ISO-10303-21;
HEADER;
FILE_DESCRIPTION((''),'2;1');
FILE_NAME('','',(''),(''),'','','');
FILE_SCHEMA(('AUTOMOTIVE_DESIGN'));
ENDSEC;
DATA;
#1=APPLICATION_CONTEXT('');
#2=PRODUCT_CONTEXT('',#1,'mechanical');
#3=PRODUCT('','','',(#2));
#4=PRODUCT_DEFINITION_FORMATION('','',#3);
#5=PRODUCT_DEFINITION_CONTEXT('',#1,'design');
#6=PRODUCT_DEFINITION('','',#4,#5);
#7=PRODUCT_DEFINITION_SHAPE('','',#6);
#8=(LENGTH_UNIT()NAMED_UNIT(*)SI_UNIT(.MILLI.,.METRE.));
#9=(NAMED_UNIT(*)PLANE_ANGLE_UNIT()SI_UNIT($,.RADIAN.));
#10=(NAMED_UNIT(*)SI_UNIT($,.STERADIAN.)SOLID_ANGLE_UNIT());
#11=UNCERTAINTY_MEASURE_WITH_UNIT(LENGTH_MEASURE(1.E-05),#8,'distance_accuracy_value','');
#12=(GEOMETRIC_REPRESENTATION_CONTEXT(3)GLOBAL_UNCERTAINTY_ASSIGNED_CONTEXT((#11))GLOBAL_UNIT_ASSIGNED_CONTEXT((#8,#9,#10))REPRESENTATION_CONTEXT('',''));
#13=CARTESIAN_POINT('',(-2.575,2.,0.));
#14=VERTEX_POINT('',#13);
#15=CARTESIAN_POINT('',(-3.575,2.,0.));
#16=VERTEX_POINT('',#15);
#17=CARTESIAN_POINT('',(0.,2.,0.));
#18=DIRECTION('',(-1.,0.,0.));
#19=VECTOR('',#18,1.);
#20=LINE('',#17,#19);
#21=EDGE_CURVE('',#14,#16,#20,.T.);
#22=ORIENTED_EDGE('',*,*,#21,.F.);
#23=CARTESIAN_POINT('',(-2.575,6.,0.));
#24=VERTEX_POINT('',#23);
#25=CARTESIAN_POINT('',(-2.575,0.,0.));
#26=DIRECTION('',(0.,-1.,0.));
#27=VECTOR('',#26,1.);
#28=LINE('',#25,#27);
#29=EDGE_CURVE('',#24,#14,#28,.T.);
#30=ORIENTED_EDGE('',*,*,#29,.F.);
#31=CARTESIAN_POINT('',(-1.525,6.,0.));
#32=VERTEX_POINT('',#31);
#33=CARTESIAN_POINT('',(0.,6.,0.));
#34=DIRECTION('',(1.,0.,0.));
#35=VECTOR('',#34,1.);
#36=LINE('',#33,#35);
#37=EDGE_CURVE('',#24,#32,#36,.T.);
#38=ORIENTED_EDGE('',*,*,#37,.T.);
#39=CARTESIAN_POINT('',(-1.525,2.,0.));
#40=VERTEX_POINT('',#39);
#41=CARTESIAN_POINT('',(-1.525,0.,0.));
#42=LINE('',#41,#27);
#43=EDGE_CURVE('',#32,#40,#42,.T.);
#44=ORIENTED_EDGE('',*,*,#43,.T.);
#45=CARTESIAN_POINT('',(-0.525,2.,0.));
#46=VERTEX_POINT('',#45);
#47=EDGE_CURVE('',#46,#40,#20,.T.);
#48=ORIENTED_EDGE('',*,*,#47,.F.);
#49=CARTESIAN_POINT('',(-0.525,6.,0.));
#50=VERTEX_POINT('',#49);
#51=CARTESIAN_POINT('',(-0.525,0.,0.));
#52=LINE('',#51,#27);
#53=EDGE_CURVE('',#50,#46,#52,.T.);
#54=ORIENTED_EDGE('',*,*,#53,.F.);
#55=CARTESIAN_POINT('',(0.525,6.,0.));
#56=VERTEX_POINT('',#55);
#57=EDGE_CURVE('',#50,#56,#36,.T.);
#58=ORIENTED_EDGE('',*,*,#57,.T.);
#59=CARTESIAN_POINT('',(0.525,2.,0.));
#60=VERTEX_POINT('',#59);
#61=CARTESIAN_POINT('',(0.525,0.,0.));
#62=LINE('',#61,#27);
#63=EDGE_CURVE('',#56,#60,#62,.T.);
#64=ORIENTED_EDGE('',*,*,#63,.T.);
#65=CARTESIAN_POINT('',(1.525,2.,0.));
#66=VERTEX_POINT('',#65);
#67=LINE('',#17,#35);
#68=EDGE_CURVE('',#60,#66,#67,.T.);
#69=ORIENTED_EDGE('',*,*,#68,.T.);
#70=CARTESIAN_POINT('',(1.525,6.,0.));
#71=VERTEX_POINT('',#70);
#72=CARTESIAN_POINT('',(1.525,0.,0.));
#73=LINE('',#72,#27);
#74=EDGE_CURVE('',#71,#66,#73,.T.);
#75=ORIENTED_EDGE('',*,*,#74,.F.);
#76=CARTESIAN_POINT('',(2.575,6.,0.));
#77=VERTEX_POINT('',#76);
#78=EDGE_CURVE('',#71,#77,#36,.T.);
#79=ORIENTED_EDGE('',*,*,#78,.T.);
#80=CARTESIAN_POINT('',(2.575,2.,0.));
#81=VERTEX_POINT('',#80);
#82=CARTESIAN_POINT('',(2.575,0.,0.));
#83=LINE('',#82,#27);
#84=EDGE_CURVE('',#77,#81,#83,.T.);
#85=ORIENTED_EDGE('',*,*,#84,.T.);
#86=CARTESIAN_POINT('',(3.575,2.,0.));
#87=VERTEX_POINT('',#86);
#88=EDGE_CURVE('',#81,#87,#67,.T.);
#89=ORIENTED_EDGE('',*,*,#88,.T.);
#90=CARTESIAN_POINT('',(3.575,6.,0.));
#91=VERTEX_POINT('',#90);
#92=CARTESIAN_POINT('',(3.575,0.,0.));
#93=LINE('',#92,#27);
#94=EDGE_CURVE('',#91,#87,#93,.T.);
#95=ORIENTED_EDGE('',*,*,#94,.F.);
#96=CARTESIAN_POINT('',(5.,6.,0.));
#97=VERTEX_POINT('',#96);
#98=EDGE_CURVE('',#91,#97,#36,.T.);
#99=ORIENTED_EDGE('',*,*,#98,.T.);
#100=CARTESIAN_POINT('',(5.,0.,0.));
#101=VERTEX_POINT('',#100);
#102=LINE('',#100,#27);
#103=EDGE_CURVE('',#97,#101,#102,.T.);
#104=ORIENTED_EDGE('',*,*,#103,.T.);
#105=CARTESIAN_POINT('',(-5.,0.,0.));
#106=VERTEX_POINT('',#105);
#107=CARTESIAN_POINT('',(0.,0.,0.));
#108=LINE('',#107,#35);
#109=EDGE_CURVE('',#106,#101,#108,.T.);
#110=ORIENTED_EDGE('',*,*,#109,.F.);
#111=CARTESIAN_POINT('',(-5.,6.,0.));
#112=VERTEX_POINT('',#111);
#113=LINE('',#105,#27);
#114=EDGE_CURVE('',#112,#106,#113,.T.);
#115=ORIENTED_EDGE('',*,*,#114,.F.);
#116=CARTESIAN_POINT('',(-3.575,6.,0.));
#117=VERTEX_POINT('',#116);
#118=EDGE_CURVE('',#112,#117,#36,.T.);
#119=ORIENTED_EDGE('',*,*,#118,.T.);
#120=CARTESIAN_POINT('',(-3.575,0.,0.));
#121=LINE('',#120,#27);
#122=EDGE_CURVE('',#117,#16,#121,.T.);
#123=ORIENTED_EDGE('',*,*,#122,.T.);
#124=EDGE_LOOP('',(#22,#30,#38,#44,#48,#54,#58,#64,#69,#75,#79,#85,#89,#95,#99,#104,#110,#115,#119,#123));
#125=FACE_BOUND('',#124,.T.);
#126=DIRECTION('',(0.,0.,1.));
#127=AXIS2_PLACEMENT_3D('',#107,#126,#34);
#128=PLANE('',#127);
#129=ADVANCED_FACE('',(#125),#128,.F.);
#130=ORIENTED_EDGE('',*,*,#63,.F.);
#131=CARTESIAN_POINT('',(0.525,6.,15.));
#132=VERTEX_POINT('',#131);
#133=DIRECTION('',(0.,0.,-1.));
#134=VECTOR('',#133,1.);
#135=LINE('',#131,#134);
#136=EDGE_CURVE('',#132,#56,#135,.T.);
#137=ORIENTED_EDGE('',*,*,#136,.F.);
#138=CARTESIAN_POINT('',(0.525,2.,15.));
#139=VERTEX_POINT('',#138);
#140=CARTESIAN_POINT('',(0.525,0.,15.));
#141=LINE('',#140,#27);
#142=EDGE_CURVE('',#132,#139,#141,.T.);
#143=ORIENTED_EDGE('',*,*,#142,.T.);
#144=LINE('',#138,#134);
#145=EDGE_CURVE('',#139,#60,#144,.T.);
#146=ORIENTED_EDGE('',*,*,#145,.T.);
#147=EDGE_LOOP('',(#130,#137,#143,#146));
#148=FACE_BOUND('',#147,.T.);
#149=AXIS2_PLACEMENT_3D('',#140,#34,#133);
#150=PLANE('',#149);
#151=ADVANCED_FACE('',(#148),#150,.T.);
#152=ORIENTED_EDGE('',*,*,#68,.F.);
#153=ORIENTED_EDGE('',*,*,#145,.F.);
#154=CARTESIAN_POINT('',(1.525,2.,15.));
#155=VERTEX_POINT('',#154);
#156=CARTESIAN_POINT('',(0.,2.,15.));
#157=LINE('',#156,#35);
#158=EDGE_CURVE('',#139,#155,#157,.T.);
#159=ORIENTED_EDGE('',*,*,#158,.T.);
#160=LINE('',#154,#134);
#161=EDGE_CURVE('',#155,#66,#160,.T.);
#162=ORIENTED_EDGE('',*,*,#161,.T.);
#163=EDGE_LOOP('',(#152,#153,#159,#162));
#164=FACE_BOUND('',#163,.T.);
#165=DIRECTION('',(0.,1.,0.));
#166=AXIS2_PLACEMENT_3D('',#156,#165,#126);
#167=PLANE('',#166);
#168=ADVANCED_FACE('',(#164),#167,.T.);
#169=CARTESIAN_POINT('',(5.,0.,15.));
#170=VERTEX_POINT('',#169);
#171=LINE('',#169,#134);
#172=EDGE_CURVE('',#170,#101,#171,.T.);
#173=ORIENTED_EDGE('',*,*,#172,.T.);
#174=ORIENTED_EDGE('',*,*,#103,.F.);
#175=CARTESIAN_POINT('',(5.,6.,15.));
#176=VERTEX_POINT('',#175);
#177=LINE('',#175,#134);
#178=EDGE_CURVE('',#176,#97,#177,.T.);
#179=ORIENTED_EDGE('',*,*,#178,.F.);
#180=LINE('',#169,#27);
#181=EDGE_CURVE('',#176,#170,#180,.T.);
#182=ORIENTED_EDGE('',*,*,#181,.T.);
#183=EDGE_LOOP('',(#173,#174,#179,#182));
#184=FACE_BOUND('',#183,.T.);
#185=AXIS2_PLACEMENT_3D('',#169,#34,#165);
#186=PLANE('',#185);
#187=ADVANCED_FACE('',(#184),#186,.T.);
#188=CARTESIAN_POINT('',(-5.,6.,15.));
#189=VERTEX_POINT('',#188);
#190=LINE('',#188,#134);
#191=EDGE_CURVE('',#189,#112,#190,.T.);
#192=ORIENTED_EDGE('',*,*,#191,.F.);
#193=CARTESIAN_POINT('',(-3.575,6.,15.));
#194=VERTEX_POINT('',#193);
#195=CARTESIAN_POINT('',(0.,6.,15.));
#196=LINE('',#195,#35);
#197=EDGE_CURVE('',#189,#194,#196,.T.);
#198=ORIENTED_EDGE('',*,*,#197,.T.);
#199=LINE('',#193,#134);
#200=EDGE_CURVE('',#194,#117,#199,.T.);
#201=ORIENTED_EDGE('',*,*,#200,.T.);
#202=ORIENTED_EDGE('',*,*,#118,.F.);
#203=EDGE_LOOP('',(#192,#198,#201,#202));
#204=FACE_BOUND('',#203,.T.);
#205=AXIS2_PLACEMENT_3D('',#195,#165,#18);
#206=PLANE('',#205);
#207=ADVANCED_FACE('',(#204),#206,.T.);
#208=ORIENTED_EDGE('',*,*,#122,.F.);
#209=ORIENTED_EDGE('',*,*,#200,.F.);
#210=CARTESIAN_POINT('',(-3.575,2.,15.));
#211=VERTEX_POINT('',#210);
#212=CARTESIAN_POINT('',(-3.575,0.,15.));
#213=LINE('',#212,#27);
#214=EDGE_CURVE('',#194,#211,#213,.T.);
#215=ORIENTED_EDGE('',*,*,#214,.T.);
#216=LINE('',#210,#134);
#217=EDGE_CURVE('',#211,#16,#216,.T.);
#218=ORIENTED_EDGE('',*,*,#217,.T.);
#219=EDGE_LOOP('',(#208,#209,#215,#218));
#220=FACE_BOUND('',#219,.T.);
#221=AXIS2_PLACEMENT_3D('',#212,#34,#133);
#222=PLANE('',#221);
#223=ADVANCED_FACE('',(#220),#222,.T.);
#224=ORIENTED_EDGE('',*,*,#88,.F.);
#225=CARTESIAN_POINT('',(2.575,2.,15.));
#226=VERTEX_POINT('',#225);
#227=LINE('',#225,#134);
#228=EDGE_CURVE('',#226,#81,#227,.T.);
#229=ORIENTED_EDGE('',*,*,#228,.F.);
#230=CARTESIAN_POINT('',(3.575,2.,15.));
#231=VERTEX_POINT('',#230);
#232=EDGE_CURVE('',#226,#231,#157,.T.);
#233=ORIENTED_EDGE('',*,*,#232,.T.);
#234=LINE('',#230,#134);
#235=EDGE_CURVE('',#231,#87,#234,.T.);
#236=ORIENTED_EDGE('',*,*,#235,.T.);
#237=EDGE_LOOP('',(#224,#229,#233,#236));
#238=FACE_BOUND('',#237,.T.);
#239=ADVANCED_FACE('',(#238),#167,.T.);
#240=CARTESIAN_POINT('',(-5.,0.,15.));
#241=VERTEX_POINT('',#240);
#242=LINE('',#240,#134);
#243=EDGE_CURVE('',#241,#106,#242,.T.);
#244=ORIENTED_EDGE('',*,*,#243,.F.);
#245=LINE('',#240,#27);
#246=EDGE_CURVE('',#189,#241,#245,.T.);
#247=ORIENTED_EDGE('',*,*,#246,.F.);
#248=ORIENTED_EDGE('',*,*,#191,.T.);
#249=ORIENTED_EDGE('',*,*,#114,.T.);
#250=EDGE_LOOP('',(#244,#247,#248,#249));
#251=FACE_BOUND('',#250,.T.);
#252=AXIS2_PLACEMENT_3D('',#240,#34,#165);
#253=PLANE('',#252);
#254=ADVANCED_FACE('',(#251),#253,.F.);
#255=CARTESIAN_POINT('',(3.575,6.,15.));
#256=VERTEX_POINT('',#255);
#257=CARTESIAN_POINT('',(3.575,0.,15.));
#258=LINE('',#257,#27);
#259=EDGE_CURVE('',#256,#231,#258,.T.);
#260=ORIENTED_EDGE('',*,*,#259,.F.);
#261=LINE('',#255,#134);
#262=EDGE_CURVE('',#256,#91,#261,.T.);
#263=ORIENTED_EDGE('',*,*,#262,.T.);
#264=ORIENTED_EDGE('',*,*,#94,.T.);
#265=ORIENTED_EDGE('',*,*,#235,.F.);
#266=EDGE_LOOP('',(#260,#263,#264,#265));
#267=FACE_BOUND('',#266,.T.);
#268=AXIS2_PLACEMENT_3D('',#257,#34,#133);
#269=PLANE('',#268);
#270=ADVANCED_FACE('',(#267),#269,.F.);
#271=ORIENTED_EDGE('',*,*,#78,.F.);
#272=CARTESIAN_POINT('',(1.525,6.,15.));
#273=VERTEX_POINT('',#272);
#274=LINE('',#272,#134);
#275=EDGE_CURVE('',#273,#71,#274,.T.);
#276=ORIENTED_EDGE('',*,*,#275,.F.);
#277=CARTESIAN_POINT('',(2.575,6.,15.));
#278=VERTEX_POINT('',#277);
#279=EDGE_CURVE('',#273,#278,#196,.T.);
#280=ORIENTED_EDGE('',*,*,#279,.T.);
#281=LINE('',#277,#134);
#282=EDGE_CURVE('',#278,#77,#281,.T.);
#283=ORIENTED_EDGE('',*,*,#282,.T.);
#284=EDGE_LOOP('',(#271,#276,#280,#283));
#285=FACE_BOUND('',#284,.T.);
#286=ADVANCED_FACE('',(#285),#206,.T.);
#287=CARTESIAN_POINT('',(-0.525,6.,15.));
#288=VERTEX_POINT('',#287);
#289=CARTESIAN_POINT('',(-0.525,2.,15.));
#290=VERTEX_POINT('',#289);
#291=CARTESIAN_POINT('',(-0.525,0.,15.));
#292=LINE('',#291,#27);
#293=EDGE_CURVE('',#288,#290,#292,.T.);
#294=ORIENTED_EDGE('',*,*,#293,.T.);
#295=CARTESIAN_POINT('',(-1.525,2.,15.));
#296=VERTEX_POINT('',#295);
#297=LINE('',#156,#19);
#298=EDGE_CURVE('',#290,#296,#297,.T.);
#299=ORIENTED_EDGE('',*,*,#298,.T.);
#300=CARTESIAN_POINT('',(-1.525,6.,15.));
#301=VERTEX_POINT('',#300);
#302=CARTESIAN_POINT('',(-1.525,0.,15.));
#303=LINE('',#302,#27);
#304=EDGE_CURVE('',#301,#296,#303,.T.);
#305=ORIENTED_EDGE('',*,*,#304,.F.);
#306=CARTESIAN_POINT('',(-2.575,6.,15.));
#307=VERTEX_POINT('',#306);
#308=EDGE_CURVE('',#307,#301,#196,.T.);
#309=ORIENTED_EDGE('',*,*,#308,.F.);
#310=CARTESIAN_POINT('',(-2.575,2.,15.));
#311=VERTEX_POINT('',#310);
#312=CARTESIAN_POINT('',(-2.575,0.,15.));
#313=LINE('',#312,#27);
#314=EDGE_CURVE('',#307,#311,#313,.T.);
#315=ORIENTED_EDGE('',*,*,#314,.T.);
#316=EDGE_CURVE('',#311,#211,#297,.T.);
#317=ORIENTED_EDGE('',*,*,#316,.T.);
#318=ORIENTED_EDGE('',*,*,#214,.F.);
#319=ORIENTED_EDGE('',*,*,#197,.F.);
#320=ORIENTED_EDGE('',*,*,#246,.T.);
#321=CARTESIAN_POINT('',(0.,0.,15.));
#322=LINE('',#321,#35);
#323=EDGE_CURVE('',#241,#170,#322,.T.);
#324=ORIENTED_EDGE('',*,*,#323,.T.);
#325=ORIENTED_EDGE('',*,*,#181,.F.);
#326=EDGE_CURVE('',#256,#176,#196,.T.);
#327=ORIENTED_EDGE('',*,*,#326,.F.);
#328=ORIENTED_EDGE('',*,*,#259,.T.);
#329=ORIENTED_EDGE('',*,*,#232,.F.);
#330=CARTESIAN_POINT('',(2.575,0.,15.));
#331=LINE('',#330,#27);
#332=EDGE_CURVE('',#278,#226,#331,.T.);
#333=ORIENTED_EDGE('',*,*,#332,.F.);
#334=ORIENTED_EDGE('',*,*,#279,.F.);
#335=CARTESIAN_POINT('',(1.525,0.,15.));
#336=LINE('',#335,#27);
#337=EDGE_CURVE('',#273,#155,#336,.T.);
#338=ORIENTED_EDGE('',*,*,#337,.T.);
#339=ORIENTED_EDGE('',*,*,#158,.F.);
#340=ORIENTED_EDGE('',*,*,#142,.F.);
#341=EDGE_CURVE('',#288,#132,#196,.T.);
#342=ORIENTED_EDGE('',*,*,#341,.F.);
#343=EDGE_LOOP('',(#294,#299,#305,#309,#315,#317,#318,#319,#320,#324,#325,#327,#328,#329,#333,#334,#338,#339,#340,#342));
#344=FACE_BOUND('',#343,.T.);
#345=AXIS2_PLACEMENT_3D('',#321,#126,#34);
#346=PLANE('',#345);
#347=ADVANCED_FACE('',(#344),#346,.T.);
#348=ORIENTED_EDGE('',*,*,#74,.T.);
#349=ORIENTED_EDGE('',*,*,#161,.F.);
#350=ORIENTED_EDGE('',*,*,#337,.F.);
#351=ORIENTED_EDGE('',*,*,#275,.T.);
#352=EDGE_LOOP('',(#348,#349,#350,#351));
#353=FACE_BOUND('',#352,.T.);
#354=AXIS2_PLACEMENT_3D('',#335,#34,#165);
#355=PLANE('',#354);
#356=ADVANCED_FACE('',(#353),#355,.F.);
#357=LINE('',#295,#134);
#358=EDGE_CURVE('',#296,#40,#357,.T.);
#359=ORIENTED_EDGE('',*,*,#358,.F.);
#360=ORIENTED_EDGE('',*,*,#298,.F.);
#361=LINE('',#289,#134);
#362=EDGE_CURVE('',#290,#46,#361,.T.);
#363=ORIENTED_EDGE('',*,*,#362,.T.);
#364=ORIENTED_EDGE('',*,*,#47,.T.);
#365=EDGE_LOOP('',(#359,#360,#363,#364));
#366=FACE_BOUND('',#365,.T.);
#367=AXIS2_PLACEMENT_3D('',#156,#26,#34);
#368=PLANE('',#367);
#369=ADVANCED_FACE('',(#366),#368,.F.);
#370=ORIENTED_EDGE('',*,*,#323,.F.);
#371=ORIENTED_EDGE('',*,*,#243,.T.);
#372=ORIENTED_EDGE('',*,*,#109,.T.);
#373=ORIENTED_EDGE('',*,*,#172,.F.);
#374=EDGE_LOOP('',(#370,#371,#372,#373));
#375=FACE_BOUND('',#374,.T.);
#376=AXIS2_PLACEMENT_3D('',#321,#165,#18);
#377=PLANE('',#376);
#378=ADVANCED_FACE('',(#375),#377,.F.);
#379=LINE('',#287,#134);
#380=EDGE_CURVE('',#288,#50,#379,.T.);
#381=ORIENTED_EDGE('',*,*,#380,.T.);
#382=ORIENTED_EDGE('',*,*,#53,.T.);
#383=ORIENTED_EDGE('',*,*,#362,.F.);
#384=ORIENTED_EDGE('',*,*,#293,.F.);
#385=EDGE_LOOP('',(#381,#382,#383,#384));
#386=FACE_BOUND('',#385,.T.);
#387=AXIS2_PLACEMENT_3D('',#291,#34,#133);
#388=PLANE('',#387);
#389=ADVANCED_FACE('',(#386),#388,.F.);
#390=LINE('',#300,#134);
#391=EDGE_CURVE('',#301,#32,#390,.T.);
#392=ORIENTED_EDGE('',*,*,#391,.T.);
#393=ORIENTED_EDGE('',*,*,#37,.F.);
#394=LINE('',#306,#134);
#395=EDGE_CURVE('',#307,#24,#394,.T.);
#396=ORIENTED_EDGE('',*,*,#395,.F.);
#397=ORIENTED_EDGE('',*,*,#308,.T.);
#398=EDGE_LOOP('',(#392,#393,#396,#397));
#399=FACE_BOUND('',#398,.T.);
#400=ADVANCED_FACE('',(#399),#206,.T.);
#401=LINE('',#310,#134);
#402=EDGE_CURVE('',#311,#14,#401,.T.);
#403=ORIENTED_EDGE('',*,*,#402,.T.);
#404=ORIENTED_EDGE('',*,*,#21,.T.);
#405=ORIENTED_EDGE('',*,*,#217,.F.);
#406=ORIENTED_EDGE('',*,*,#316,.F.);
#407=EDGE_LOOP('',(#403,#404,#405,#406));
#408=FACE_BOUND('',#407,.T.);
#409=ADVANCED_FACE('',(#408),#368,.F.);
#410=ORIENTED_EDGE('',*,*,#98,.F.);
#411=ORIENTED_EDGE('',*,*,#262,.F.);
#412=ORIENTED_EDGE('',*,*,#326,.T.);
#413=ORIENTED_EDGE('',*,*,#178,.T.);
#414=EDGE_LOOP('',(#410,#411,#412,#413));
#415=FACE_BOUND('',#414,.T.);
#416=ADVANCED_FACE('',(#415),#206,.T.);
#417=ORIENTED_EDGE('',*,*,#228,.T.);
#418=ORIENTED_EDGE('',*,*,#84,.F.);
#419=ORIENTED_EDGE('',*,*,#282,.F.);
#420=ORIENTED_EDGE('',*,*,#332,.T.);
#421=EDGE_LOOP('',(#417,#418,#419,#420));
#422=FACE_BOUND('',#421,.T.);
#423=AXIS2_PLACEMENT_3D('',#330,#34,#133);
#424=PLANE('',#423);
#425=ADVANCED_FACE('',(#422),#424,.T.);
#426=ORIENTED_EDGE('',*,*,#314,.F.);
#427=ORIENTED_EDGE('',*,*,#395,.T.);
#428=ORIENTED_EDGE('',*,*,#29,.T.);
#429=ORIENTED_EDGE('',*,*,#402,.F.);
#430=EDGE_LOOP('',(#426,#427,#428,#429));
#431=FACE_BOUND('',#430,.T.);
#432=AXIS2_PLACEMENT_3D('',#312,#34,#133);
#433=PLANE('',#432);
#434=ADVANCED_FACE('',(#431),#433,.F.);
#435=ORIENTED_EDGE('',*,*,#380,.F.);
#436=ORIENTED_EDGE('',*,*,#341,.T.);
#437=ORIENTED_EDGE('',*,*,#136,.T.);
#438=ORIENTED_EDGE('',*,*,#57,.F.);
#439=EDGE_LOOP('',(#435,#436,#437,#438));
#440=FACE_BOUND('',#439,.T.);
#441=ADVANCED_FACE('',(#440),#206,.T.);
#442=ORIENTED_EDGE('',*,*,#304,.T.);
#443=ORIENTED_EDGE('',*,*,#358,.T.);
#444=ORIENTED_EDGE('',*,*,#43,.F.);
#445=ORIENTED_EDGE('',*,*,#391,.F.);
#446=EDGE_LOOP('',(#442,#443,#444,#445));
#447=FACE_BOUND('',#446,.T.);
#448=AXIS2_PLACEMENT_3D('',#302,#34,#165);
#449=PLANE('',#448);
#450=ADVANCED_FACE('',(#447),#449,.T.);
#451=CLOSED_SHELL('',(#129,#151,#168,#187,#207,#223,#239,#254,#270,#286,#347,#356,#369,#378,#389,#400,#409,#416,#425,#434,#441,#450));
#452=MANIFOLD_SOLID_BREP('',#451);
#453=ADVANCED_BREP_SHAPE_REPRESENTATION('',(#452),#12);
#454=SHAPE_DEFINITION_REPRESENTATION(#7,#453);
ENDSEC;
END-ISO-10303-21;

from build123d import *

# Parameters (mm, degrees)
BOSS_EXTRUDE1_DEPTH = 15


with BuildPart() as part:
    # Sketch1 → Boss-Extrude1 (new body)
    with BuildSketch(Plane.XY):
        Polygon((-3.575, 6), (-5, 6), (-5, 0), (5, 0), (5, 6), (3.575, 6), (3.575, 2), (2.575, 2), (2.575, 6), (1.525, 6), (1.525, 2), (0.525, 2), (0.525, 6), (-0.525, 6), (-0.525, 2), (-1.525, 2), (-1.525, 6), (-2.575, 6), (-2.575, 2), (-3.575, 2), align=None)
    extrude(amount=BOSS_EXTRUDE1_DEPTH)


solid = part.part
